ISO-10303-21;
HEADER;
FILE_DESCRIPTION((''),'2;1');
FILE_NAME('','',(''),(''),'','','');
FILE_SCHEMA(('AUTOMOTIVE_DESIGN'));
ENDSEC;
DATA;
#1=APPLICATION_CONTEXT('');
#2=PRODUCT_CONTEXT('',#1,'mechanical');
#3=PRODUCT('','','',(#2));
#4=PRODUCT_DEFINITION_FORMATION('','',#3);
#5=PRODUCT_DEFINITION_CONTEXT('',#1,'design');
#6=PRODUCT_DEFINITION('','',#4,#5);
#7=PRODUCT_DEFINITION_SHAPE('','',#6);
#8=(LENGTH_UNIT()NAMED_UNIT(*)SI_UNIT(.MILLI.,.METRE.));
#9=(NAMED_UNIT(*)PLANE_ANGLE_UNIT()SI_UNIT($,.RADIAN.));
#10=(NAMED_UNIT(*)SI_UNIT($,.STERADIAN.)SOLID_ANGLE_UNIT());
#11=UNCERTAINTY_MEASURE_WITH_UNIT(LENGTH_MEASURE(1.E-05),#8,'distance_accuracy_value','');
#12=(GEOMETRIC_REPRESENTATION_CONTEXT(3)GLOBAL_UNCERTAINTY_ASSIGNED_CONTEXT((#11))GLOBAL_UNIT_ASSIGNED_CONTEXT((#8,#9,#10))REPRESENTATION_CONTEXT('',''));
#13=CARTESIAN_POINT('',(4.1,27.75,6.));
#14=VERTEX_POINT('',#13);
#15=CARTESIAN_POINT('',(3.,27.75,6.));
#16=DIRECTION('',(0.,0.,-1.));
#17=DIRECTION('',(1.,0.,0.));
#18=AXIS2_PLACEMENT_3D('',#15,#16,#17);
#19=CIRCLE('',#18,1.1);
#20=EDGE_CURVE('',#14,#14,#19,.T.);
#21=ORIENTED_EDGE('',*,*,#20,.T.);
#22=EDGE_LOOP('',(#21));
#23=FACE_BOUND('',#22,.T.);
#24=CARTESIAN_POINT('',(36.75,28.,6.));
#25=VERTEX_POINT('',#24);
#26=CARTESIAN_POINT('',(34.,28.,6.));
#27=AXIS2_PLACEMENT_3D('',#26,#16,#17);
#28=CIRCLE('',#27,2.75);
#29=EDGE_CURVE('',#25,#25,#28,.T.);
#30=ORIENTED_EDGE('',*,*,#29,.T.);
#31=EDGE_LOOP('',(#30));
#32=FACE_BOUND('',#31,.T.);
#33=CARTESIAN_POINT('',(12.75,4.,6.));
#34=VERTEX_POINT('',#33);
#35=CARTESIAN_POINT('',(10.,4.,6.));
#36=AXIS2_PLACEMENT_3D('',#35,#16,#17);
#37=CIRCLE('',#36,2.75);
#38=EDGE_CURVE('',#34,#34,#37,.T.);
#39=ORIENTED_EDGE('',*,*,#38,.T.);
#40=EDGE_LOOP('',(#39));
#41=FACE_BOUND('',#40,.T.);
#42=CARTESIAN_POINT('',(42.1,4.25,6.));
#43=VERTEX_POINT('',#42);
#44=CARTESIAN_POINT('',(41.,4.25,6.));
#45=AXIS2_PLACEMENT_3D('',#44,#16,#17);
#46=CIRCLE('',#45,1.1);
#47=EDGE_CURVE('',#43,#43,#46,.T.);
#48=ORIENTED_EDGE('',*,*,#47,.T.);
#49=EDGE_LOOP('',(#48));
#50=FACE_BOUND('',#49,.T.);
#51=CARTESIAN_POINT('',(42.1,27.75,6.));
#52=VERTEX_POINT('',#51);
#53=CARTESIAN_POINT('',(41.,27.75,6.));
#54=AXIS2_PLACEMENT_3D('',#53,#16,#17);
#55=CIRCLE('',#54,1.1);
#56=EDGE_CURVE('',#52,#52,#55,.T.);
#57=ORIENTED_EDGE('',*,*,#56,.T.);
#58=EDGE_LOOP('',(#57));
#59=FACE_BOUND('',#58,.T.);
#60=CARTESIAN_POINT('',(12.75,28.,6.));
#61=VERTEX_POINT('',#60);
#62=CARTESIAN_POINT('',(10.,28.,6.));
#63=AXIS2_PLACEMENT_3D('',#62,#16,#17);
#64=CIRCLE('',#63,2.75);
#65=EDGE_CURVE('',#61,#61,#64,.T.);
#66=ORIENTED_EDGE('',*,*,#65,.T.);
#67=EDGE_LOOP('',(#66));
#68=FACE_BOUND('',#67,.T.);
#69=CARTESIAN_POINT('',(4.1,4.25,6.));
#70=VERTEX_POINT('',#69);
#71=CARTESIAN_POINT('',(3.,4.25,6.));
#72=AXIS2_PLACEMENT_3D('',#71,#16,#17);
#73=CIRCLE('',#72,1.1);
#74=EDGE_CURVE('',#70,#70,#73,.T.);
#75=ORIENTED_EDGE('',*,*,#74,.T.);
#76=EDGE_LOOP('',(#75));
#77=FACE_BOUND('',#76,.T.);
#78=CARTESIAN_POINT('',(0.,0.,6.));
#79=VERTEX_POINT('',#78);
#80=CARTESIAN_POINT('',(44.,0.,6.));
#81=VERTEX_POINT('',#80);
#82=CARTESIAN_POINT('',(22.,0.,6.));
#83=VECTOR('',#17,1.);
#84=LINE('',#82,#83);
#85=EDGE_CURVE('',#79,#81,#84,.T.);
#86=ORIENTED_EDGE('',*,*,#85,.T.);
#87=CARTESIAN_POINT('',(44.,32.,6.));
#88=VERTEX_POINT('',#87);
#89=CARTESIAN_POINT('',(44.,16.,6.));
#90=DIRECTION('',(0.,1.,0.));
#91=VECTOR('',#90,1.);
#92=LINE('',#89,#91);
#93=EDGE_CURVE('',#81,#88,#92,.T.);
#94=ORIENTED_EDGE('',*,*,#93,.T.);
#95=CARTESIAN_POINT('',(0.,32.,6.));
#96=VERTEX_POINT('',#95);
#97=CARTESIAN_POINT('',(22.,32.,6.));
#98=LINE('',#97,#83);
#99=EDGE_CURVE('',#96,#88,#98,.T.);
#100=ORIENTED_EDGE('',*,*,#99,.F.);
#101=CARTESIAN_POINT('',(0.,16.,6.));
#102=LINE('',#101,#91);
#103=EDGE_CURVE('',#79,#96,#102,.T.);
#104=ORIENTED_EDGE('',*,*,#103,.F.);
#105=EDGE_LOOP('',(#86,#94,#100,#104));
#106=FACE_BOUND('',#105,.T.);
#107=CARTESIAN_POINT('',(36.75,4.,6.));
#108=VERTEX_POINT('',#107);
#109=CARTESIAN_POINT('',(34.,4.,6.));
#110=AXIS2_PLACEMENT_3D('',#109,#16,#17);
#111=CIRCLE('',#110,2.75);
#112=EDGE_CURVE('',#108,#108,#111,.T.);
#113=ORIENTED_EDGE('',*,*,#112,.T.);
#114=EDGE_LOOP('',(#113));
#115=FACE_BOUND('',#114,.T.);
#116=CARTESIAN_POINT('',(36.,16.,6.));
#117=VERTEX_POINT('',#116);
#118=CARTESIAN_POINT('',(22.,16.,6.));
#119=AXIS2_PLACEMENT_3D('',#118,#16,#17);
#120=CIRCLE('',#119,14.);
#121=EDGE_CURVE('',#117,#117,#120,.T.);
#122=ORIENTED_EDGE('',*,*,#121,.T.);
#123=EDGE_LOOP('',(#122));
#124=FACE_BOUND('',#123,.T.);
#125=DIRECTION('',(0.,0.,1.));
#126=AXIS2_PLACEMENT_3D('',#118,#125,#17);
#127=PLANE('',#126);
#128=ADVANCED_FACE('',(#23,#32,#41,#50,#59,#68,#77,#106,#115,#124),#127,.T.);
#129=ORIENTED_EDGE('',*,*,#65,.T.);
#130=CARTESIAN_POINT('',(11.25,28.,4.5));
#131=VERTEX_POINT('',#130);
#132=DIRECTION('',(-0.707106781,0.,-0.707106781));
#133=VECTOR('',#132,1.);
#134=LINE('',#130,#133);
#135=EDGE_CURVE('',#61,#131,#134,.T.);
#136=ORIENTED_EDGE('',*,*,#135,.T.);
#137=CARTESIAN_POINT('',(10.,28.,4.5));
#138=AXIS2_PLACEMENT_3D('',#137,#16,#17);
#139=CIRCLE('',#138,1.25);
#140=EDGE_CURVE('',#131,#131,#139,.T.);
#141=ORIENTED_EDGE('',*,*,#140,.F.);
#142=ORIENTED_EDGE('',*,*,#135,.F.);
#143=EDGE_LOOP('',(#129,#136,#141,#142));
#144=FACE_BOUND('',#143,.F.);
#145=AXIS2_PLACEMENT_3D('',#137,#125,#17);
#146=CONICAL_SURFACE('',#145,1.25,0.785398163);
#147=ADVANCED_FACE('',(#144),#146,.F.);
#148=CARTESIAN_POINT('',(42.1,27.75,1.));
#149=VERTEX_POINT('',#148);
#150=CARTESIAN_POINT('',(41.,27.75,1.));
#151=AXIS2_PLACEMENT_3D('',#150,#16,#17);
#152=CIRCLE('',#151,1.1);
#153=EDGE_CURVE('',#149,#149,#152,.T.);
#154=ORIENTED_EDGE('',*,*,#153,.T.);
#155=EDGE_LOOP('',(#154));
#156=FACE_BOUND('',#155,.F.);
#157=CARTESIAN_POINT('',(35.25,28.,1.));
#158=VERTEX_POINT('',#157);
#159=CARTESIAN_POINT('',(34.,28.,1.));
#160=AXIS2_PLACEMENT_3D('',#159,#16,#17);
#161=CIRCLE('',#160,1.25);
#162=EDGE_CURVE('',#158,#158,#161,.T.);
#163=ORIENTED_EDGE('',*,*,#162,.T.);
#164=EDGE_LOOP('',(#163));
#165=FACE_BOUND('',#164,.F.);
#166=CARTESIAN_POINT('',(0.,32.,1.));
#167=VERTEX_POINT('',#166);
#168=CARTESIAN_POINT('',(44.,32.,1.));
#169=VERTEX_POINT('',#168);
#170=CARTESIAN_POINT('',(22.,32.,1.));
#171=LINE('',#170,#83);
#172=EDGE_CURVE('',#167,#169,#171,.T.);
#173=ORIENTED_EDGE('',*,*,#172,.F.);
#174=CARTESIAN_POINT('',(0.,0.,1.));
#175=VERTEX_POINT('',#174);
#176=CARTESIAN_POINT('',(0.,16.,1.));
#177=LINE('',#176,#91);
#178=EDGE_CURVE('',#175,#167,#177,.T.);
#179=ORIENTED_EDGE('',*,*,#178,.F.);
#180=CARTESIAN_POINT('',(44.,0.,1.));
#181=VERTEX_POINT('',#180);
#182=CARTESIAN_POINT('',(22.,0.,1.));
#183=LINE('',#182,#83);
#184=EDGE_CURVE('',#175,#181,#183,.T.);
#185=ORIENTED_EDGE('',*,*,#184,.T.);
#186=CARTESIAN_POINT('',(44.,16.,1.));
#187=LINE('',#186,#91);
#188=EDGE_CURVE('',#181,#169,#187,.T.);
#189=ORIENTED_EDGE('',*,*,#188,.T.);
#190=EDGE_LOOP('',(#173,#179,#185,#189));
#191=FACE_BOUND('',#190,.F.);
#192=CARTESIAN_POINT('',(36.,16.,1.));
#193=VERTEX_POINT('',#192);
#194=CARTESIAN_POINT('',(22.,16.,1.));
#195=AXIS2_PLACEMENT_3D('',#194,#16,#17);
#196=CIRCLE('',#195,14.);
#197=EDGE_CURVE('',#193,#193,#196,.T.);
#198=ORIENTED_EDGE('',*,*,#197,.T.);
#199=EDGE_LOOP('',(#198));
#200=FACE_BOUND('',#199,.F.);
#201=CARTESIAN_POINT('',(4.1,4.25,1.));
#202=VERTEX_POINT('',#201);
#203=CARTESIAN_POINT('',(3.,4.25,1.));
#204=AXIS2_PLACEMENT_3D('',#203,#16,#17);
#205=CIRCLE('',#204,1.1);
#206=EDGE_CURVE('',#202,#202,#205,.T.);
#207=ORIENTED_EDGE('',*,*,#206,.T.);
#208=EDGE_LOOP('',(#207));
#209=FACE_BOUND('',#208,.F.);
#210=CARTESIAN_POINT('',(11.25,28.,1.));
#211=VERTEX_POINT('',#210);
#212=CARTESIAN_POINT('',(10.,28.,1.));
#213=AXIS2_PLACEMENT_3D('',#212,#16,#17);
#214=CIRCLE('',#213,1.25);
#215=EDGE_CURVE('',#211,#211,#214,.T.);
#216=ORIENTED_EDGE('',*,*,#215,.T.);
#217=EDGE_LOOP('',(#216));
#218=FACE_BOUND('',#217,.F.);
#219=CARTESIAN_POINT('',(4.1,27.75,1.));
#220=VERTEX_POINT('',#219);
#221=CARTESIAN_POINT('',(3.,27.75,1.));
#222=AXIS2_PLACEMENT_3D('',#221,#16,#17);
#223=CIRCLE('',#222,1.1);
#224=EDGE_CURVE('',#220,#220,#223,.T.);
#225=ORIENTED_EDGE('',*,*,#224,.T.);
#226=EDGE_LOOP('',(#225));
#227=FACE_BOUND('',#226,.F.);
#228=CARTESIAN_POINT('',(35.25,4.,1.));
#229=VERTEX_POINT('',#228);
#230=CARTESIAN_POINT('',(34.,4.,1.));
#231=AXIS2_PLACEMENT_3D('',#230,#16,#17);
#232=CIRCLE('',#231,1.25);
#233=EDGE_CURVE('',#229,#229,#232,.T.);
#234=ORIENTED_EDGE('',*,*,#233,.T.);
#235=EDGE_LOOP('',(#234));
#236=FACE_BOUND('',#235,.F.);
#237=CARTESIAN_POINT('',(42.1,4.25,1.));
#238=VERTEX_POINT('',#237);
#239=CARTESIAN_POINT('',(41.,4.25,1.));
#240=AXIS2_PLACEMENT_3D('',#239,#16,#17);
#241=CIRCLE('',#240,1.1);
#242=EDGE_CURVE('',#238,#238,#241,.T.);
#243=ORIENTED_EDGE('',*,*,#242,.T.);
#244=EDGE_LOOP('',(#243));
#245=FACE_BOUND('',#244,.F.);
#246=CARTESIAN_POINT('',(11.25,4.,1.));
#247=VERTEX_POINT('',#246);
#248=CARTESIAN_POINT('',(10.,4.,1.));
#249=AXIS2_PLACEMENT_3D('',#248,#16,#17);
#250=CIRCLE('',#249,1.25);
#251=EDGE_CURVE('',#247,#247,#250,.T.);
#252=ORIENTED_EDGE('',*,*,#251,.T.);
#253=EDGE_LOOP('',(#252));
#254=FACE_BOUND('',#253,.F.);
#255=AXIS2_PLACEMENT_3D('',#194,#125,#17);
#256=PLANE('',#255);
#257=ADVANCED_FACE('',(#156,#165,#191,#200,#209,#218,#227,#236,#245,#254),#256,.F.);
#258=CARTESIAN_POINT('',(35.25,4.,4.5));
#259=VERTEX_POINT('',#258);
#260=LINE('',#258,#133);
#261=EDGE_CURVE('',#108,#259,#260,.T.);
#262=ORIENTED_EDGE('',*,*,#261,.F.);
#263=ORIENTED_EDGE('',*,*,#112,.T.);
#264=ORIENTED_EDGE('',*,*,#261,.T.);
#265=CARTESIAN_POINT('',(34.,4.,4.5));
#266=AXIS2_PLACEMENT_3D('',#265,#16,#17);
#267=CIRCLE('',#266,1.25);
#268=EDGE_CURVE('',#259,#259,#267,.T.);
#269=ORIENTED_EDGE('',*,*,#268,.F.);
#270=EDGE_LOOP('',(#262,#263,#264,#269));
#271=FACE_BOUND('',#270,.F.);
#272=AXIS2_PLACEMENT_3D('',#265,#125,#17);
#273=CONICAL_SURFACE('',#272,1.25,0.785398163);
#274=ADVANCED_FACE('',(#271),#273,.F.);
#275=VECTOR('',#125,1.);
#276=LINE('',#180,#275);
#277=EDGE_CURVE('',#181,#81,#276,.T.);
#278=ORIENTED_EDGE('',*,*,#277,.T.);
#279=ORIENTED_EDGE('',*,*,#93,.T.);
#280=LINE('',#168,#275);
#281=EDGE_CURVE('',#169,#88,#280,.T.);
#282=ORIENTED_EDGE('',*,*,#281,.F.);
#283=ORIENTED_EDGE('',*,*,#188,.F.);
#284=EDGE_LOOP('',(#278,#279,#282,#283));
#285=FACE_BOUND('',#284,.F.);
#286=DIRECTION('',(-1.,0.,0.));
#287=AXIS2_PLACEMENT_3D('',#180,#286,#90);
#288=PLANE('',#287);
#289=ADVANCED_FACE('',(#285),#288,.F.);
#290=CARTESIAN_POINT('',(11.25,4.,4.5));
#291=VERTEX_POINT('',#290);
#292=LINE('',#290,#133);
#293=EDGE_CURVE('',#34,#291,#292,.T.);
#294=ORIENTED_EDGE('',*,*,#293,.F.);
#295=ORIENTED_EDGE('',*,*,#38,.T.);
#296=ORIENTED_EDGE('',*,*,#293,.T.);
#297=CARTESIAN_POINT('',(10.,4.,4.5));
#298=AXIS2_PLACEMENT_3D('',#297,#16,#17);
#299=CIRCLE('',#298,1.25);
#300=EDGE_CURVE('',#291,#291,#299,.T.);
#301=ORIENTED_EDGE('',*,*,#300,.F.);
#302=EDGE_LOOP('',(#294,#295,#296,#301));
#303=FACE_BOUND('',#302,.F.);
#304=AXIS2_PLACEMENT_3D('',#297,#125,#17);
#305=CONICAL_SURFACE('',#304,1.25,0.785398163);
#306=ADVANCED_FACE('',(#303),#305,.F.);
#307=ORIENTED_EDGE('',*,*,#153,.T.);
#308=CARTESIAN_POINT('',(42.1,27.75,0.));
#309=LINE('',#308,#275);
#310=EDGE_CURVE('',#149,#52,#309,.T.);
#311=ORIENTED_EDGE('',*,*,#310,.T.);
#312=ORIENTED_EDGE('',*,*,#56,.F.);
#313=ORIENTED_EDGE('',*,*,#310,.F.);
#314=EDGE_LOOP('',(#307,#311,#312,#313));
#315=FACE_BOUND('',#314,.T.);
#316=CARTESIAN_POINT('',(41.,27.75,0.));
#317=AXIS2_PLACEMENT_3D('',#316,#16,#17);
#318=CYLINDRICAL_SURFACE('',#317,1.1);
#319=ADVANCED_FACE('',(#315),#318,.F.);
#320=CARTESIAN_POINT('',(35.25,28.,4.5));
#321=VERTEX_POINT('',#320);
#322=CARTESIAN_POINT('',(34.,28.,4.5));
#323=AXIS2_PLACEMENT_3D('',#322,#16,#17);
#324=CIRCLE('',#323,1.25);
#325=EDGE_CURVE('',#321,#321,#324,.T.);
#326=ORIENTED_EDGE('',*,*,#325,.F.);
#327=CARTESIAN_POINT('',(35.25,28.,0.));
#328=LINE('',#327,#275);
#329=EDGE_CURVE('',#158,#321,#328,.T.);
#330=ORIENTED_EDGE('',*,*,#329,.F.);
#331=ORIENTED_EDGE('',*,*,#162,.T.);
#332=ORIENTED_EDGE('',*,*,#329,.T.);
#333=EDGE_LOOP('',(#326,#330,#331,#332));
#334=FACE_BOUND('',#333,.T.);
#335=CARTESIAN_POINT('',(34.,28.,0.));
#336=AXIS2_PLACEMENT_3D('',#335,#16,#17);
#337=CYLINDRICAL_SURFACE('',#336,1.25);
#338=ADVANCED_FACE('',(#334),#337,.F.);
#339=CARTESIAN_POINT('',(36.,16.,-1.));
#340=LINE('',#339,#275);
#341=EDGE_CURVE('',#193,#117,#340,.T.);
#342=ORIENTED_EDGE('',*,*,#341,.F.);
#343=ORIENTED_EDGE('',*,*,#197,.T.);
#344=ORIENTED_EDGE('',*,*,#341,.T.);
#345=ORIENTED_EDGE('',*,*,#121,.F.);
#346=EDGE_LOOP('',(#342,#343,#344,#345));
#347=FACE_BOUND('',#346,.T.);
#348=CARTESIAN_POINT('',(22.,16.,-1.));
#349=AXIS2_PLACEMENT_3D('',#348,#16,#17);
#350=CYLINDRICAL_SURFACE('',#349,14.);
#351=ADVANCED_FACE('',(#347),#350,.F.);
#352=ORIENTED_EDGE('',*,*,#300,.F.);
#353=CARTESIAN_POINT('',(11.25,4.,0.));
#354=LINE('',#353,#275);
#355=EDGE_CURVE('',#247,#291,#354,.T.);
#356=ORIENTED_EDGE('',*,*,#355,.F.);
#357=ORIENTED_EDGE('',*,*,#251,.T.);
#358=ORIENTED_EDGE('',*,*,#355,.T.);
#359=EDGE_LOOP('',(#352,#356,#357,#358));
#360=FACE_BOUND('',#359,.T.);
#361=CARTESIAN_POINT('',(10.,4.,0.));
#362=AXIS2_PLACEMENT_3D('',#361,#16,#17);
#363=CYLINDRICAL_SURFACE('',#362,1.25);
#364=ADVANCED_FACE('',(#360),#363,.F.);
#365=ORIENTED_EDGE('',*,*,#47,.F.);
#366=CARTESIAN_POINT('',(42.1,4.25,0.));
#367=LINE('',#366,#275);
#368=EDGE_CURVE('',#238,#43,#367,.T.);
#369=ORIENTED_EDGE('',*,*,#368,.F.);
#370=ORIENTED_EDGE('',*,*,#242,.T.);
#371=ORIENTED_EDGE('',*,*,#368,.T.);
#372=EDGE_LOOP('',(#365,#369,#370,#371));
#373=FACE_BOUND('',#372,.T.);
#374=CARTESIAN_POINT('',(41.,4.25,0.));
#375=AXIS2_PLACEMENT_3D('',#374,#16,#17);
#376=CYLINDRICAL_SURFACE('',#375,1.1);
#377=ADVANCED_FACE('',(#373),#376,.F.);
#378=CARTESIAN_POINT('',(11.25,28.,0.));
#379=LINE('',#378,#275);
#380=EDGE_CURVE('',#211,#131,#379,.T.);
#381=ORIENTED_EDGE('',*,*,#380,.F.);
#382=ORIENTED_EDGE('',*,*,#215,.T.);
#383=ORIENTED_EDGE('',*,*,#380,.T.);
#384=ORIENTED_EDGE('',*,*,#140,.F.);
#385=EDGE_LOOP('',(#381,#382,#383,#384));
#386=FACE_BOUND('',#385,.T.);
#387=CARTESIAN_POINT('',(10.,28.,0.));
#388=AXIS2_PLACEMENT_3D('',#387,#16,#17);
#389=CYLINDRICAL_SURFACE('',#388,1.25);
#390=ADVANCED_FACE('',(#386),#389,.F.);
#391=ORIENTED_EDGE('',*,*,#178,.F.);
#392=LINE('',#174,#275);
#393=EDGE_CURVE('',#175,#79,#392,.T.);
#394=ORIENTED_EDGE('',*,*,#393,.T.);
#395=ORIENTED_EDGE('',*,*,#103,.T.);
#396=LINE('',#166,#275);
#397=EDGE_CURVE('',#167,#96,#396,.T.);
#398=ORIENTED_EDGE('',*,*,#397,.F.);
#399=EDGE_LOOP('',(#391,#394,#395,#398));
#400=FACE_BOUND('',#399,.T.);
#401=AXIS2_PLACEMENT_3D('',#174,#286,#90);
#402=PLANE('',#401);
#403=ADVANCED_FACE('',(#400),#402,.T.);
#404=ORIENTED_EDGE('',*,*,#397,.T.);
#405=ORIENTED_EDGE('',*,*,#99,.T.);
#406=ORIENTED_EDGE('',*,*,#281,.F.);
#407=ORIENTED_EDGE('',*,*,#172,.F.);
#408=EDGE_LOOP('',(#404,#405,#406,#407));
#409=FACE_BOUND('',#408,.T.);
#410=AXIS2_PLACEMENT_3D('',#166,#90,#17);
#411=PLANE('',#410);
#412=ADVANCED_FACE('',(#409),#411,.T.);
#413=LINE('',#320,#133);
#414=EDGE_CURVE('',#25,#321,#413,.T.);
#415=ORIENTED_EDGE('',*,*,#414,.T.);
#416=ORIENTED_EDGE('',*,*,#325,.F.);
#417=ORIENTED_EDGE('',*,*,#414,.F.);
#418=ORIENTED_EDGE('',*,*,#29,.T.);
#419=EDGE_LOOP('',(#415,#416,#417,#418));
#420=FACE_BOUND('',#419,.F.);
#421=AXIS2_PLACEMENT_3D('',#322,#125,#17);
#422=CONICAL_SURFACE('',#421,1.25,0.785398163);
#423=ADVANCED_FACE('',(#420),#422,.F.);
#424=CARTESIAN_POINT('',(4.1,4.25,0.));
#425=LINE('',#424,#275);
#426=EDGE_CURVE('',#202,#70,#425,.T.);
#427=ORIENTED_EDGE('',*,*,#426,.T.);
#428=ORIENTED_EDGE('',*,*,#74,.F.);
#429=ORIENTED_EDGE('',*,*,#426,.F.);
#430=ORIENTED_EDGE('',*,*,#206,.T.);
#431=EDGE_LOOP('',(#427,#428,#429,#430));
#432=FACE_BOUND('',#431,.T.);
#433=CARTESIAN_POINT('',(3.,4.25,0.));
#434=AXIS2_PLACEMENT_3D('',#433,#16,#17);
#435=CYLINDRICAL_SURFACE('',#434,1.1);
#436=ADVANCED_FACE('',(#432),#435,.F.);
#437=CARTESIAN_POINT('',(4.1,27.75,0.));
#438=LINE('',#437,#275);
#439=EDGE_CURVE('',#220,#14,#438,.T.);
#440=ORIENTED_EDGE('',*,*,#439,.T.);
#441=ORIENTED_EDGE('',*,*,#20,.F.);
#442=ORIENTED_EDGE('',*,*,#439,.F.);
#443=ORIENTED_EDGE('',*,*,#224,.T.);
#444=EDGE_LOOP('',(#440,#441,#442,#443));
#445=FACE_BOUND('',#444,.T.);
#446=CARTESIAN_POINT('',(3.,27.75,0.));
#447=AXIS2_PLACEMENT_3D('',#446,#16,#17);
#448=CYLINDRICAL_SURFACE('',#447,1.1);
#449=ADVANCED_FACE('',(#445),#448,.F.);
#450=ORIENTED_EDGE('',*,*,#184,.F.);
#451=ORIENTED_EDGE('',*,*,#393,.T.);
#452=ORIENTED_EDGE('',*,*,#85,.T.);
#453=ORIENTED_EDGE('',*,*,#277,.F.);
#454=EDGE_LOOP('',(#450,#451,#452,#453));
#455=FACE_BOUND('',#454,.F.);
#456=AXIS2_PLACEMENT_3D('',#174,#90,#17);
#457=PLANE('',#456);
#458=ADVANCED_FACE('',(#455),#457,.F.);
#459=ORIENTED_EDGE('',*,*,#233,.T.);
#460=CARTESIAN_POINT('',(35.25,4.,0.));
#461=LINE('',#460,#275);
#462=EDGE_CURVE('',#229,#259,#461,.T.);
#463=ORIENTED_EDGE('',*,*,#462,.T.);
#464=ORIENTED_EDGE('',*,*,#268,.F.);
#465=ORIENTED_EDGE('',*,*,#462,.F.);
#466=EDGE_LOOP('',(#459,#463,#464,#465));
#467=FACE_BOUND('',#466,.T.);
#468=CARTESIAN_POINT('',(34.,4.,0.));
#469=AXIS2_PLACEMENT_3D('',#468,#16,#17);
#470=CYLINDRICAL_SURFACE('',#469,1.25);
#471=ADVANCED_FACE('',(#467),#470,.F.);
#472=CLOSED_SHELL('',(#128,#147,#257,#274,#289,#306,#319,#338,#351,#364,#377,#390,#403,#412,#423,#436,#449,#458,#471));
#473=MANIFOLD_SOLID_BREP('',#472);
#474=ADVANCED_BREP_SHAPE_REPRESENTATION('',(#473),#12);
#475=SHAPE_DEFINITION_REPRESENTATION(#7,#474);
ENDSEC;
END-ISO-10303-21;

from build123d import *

# Parameters (mm, degrees)
CYLINDER006_R     = 1.25
CYLINDER006_DEPTH = 10
CYLINDER007_R     = 1.25
CYLINDER007_DEPTH = 10
CYLINDER008_R     = 1.25
CYLINDER008_DEPTH = 10
CYLINDER001_R     = 1.25
CYLINDER001_DEPTH = 10
CYLINDER003_R     = 1.1
CYLINDER003_DEPTH = 10
CYLINDER004_R     = 1.1
CYLINDER004_DEPTH = 10
CYLINDER005_R     = 1.1
CYLINDER005_DEPTH = 10
CYLINDER002_R     = 1.1
CYLINDER002_DEPTH = 10
CYLINDER_R        = 14
CYLINDER_DEPTH    = 10
BOX_W             = 44
BOX_H             = 32
BOX_DEPTH         = 5
CHAMFER_SIZE      = 1.5
CHAMFER001_SIZE   = 1.5


with BuildPart() as cylinder006:
    # Cylinder006 → Cylinder006 (new body)
    with BuildSketch(Plane(origin=(10, 28, 0), x_dir=(1, 0, 0), z_dir=(0, 0, 1))):
        Circle(CYLINDER006_R)
    extrude(amount=CYLINDER006_DEPTH)


with BuildPart() as cylinder007:
    # Cylinder007 → Cylinder007 (new body)
    with BuildSketch(Plane(origin=(34, 28, 0), x_dir=(1, 0, 0), z_dir=(0, 0, 1))):
        Circle(CYLINDER007_R)
    extrude(amount=CYLINDER007_DEPTH)


with BuildPart() as cylinder008:
    # Cylinder008 → Cylinder008 (new body)
    with BuildSketch(Plane(origin=(34, 4, 0), x_dir=(1, 0, 0), z_dir=(0, 0, 1))):
        Circle(CYLINDER008_R)
    extrude(amount=CYLINDER008_DEPTH)


with BuildPart() as fusion001:
    # Cylinder001 → Cylinder001 (new body)
    with BuildSketch(Plane(origin=(10, 4, 0), x_dir=(1, 0, 0), z_dir=(0, 0, 1))):
        Circle(CYLINDER001_R)
    extrude(amount=CYLINDER001_DEPTH)

    # Fusion001: union Cylinder006, Cylinder007, Cylinder008
    add(cylinder006.part)
    add(cylinder007.part)
    add(cylinder008.part)


with BuildPart() as cylinder003:
    # Cylinder003 → Cylinder003 (new body)
    with BuildSketch(Plane(origin=(3, 27.75, 0), x_dir=(1, 0, 0), z_dir=(0, 0, 1))):
        Circle(CYLINDER003_R)
    extrude(amount=CYLINDER003_DEPTH)


with BuildPart() as cylinder004:
    # Cylinder004 → Cylinder004 (new body)
    with BuildSketch(Plane(origin=(41, 4.25, 0), x_dir=(1, 0, 0), z_dir=(0, 0, 1))):
        Circle(CYLINDER004_R)
    extrude(amount=CYLINDER004_DEPTH)


with BuildPart() as cylinder005:
    # Cylinder005 → Cylinder005 (new body)
    with BuildSketch(Plane(origin=(41, 27.75, 0), x_dir=(1, 0, 0), z_dir=(0, 0, 1))):
        Circle(CYLINDER005_R)
    extrude(amount=CYLINDER005_DEPTH)


with BuildPart() as fusion:
    # Cylinder002 → Cylinder002 (new body)
    with BuildSketch(Plane(origin=(3, 4.25, 0), x_dir=(1, 0, 0), z_dir=(0, 0, 1))):
        Circle(CYLINDER002_R)
    extrude(amount=CYLINDER002_DEPTH)

    # Fusion: union Cylinder003, Cylinder004, Cylinder005
    add(cylinder003.part)
    add(cylinder004.part)
    add(cylinder005.part)


with BuildPart() as cylinder:
    # Cylinder → Cylinder (new body)
    with BuildSketch(Plane(origin=(22, 16, -1), x_dir=(1, 0, 0), z_dir=(0, 0, 1))):
        Circle(CYLINDER_R)
    extrude(amount=CYLINDER_DEPTH)


with BuildPart() as chamfer001:
    # Box → Box (new body)
    with BuildSketch(Plane.XY.offset(1)):
        with Locations((22, 16)):
            Rectangle(BOX_W, BOX_H)
    extrude(amount=BOX_DEPTH)

    # Cut: cut Cylinder
    add(cylinder.part, mode=Mode.SUBTRACT)

    # Cut001: cut Fusion
    add(fusion.part, mode=Mode.SUBTRACT)

    # Cut002: cut Fusion001
    add(fusion001.part, mode=Mode.SUBTRACT)

    # Chamfer
    chamfer_edges = [chamfer001.edges().sort_by_distance(p)[0] for p in [
        (8.75, 28, 6),
    ]]
    chamfer(chamfer_edges, length=CHAMFER_SIZE)

    # Chamfer001
    chamfer001_edges = [chamfer001.edges().sort_by_distance(p)[0] for p in [
        (32.75, 4, 6),
        (32.75, 28, 6),
        (8.75, 4, 6),
    ]]
    chamfer(chamfer001_edges, length=CHAMFER001_SIZE)


solid = chamfer001.part
